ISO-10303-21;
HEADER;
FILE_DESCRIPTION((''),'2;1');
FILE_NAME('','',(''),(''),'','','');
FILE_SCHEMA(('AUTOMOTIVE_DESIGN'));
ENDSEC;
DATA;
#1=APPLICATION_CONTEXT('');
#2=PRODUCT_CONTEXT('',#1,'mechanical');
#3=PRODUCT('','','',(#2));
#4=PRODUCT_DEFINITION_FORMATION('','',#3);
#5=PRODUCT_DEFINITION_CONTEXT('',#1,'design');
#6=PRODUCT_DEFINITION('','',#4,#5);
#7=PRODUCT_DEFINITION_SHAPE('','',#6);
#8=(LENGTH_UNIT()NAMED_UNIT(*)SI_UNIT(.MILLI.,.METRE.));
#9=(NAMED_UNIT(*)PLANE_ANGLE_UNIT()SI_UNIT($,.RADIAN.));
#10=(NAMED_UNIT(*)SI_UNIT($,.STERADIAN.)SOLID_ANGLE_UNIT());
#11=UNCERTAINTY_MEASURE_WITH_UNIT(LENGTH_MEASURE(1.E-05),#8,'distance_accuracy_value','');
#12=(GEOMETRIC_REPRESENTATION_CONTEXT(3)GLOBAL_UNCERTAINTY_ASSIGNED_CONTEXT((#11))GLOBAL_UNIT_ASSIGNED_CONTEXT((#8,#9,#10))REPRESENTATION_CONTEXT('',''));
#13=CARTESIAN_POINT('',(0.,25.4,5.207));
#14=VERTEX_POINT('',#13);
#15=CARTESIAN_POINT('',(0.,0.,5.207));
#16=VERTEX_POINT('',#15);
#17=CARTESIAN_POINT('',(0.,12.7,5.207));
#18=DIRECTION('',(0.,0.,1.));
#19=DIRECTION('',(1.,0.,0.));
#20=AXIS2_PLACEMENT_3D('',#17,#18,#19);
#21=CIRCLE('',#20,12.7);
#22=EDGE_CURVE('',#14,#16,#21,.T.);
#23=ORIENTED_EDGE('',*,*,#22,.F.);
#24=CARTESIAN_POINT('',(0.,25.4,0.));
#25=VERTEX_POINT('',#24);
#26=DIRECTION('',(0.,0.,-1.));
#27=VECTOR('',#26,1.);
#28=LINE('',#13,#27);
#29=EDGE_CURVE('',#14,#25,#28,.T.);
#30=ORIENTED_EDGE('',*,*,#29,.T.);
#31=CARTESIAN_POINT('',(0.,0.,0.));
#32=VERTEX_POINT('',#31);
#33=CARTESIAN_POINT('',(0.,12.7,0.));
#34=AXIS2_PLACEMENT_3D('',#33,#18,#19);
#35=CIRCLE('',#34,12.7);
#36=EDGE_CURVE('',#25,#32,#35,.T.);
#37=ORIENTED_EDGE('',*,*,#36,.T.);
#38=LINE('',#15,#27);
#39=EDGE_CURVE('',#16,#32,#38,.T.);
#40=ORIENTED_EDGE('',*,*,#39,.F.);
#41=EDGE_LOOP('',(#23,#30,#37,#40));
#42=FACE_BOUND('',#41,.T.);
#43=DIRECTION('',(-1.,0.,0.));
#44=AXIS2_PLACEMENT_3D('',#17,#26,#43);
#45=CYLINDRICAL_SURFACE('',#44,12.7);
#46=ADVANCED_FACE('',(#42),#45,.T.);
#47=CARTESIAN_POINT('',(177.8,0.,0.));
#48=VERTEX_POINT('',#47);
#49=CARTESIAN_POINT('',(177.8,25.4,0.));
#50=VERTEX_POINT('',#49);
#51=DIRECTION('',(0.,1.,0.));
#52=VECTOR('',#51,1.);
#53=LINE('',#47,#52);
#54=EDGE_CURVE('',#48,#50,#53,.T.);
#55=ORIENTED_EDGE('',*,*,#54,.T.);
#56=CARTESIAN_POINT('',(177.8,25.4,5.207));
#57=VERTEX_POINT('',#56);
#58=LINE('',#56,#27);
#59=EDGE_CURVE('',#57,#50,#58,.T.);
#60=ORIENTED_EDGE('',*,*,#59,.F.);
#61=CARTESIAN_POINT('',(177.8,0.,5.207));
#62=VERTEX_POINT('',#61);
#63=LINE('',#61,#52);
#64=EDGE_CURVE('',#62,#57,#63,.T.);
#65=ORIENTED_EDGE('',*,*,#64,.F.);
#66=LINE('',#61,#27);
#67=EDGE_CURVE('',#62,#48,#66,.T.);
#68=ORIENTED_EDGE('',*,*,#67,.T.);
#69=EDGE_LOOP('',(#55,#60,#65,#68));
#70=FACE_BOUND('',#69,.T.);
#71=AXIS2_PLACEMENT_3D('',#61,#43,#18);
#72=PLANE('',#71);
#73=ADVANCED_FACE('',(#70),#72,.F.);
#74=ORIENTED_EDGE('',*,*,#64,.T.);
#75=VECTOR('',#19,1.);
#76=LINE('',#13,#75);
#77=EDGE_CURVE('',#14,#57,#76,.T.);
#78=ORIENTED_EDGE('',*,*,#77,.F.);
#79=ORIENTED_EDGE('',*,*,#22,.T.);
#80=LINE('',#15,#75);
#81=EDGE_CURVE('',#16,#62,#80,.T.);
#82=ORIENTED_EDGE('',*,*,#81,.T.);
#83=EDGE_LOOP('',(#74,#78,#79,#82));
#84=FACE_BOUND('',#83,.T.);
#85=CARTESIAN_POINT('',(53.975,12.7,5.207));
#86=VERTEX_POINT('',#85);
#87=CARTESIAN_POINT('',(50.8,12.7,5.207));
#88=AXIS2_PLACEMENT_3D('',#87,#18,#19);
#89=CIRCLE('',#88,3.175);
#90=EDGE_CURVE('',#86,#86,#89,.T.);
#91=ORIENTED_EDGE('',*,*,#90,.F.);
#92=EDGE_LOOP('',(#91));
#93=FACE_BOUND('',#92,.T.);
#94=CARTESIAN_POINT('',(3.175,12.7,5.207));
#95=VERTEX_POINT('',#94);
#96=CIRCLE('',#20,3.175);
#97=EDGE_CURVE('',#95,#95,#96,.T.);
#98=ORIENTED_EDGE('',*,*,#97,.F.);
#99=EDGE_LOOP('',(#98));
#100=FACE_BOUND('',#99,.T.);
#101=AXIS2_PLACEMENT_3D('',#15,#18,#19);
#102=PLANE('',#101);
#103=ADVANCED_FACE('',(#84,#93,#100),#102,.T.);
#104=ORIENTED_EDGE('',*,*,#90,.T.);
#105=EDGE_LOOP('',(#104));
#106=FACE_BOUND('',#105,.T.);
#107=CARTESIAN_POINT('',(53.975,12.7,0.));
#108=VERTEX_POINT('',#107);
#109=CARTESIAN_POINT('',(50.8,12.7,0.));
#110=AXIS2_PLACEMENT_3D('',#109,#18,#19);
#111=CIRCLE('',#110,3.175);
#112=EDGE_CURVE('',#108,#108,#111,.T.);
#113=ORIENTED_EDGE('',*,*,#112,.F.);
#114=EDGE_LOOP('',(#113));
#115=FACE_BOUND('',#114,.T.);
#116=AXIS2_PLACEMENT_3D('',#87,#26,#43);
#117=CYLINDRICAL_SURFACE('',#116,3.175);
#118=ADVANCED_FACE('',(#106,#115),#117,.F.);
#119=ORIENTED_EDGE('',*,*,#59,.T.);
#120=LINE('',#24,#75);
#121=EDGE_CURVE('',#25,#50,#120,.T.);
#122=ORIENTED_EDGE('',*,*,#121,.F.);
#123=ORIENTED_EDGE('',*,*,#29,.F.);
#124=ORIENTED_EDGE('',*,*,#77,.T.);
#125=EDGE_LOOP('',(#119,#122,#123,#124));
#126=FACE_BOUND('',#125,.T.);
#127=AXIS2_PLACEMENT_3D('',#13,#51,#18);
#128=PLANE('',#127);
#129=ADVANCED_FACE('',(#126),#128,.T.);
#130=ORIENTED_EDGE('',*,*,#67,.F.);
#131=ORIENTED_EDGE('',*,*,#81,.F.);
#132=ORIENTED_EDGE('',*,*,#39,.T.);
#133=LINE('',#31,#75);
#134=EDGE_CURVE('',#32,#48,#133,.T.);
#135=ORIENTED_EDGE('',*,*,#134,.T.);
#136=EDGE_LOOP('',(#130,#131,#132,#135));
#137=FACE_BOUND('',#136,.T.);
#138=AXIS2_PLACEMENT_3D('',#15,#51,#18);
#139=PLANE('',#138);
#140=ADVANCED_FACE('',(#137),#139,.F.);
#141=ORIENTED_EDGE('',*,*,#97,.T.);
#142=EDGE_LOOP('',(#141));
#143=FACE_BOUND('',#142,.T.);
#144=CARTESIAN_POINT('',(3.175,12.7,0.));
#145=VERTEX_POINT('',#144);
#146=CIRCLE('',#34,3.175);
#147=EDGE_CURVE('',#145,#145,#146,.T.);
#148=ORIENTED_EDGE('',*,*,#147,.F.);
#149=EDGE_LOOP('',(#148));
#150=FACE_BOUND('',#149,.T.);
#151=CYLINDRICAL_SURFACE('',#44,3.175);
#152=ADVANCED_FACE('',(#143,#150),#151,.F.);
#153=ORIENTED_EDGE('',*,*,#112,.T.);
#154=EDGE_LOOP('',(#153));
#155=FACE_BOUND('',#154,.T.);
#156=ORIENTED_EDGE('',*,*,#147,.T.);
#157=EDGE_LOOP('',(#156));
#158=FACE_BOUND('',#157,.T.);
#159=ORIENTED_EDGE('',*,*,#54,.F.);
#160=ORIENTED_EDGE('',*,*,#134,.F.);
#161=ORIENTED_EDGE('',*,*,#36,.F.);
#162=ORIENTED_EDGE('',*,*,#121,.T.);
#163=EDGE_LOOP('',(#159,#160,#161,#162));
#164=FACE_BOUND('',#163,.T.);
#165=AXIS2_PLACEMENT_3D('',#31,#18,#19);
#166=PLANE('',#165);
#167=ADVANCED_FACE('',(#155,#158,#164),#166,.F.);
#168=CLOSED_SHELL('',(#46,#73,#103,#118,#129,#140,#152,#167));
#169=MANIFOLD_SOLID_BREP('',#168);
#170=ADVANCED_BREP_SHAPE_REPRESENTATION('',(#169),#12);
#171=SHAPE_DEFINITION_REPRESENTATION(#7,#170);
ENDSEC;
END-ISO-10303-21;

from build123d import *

# Parameters (mm, degrees)
SKETCH2_R           = 3.175
BOSS_EXTRUDE2_DEPTH = 5.207


with BuildPart() as part:
    # Sketch2 → Boss-Extrude2 (new body)
    with BuildSketch(Plane.XY):
        with BuildLine():
            Line((0, 0), (177.8, 0))
            Line((177.8, 0), (177.8, 25.4))
            Line((177.8, 25.4), (0, 25.4))
            ThreePointArc((0, 25.4), (-12.7, 12.7), (0, 0))
        make_face()
        with Locations((0, 12.7)):
            Circle(SKETCH2_R, mode=Mode.SUBTRACT)
        with Locations((50.8, 12.7)):
            Circle(SKETCH2_R, mode=Mode.SUBTRACT)
    extrude(amount=BOSS_EXTRUDE2_DEPTH)


solid = part.part
